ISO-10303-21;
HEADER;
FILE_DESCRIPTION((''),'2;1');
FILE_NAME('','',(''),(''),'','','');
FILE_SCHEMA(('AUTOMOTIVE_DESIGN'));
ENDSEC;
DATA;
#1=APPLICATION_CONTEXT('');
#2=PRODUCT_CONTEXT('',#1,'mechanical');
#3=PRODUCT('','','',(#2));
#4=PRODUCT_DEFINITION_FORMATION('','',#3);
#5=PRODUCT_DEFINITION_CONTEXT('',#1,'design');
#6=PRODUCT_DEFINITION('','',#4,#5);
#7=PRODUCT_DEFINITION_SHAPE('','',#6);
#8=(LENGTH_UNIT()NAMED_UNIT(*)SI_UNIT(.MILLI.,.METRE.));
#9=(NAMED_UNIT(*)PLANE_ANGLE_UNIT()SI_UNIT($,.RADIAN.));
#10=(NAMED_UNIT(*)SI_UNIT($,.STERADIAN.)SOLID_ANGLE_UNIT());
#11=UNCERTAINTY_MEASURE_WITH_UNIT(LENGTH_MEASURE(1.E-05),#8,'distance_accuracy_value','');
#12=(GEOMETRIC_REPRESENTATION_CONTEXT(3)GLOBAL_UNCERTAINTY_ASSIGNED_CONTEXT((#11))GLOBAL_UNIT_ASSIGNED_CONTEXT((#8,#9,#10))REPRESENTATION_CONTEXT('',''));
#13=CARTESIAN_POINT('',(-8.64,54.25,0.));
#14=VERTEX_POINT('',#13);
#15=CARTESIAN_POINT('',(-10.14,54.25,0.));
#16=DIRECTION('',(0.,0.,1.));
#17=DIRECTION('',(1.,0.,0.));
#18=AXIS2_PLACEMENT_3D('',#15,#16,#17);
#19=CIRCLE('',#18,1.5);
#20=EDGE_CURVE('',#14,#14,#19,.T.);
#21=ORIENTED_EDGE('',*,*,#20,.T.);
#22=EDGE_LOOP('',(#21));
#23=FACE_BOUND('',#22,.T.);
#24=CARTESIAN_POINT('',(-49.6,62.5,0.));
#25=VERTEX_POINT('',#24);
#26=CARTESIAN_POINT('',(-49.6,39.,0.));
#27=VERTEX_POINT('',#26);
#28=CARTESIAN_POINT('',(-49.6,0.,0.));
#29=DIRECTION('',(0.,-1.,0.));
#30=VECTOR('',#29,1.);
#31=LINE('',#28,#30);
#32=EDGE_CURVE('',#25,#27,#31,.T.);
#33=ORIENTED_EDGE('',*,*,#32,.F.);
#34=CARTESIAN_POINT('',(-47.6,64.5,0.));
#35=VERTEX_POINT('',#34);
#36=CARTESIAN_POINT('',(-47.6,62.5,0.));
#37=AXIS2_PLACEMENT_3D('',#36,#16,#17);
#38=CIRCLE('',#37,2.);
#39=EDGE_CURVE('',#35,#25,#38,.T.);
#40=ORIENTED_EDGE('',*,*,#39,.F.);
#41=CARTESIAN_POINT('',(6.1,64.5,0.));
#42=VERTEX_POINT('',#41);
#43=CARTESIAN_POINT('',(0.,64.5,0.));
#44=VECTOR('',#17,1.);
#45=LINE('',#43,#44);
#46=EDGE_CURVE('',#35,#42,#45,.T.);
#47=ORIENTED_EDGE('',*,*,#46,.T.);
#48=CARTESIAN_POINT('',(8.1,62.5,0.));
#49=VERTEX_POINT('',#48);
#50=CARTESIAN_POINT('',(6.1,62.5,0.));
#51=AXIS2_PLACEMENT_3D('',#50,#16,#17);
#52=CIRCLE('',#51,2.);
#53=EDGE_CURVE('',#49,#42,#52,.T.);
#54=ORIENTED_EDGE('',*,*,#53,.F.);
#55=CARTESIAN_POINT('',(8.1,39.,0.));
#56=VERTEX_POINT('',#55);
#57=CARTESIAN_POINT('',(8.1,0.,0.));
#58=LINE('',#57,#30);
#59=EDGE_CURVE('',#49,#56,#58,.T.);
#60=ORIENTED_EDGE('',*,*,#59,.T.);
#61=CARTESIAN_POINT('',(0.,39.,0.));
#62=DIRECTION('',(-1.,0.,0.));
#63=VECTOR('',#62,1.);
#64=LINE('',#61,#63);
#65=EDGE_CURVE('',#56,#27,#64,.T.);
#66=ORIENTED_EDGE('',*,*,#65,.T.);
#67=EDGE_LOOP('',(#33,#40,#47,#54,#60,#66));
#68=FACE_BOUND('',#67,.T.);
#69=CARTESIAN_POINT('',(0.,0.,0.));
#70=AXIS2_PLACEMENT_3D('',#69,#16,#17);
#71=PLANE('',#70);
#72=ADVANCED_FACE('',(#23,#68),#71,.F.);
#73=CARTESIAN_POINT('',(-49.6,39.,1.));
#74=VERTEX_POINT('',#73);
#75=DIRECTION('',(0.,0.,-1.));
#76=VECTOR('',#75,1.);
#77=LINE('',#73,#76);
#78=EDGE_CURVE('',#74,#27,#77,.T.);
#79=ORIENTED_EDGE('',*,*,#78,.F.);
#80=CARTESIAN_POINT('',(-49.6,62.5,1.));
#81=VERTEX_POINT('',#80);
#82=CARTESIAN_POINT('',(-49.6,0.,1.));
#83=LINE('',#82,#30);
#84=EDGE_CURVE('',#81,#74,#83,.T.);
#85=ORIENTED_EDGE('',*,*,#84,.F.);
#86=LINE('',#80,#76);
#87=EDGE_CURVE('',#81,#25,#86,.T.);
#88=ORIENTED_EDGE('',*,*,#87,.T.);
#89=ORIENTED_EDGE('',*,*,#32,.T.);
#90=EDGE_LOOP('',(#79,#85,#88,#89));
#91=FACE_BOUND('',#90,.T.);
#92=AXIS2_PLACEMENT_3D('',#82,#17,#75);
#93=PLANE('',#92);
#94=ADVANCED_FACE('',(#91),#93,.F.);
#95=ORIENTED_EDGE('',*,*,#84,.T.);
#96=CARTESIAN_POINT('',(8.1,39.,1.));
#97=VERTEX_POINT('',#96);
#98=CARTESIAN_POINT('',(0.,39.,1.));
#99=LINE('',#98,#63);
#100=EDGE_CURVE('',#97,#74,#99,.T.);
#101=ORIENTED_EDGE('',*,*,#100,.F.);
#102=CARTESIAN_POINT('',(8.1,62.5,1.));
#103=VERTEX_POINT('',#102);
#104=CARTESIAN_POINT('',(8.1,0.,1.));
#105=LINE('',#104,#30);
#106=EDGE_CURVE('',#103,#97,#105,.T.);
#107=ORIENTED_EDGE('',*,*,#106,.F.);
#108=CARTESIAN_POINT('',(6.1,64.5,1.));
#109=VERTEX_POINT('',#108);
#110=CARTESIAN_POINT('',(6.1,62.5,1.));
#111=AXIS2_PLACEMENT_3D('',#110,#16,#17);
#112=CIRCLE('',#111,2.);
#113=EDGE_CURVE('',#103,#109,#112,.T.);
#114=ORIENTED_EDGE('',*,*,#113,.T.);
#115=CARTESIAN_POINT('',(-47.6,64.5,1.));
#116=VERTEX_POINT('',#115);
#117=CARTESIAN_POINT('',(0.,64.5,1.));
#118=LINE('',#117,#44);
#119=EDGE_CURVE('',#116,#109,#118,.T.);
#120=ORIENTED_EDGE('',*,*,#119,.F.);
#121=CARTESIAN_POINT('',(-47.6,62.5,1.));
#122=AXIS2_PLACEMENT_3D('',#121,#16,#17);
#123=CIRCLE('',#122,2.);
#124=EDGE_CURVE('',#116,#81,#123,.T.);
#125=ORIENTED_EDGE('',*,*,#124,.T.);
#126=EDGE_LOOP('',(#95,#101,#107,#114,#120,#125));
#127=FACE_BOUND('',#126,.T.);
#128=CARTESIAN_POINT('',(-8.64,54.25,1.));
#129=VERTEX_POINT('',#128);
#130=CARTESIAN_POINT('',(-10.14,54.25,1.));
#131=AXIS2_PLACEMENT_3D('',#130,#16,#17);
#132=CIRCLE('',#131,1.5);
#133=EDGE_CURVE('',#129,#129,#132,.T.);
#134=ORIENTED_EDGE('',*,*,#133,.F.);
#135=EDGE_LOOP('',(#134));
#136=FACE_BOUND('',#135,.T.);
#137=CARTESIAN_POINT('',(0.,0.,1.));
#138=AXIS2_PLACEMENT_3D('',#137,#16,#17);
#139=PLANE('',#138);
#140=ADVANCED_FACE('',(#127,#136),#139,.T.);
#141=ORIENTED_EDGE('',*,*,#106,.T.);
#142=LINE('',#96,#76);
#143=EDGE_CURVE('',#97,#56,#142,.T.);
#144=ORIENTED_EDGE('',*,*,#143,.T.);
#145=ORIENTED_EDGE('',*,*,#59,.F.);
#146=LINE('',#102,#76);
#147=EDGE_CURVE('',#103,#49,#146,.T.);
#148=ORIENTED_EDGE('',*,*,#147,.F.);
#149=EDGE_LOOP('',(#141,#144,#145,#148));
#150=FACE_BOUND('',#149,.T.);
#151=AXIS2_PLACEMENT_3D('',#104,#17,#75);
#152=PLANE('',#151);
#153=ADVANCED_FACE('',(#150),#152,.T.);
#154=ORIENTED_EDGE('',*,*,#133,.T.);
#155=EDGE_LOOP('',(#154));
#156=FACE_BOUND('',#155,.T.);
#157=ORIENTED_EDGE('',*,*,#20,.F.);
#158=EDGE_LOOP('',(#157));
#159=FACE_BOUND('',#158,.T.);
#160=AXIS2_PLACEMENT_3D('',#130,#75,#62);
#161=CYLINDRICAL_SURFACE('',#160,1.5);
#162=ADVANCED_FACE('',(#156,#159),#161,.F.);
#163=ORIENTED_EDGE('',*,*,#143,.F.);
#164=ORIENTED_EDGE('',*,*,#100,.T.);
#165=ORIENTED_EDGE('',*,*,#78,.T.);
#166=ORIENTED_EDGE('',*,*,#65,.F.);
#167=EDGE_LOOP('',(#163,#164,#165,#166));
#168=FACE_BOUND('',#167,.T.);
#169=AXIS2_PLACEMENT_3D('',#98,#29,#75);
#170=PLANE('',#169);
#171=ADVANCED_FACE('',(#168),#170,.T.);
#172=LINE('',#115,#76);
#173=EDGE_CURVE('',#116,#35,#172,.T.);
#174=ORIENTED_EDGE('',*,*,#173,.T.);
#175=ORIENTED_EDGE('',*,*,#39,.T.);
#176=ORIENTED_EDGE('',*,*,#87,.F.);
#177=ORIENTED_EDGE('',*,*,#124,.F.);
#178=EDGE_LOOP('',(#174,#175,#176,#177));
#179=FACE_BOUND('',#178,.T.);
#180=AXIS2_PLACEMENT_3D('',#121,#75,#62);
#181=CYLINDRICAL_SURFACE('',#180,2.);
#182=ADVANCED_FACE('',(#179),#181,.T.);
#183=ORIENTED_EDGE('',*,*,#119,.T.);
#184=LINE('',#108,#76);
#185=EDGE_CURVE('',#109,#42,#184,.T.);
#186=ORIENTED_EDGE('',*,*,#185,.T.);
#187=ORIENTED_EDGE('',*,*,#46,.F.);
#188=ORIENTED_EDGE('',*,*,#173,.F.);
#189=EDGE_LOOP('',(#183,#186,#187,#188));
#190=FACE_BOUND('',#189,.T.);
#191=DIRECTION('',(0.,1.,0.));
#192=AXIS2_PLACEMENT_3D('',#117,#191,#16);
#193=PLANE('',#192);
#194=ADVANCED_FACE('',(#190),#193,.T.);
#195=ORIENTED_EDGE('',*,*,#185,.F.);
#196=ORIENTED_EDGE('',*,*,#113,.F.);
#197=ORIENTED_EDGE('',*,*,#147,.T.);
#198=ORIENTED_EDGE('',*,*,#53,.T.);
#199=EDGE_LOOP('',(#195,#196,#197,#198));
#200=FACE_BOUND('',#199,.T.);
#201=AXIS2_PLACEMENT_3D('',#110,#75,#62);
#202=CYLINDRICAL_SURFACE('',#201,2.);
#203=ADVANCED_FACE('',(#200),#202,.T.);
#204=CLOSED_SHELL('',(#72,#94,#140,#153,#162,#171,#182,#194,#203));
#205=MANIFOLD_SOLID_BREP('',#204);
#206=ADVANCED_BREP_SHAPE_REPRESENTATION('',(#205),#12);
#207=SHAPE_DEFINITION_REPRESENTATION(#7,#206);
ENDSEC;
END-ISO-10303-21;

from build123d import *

# Parameters (mm, degrees)
SKETCH1_R           = 1.5
BOSS_EXTRUDE1_DEPTH = 1


with BuildPart() as part:
    # Sketch1 → Boss-Extrude1 (new body)
    with BuildSketch(Plane.XY):
        with BuildLine():
            Line((8.1, 39), (-49.6, 39))
            Line((-49.6, 39), (-49.6, 62.5))
            ThreePointArc((-49.6, 62.5), (-49.014213562, 63.914213562), (-47.6, 64.5))
            Line((-47.6, 64.5), (6.1, 64.5))
            ThreePointArc((6.1, 64.5), (7.514213562, 63.914213562), (8.1, 62.5))
            Line((8.1, 62.5), (8.1, 39))
        make_face()
        with Locations((-10.14, 54.25)):
            Circle(SKETCH1_R, mode=Mode.SUBTRACT)
    extrude(amount=BOSS_EXTRUDE1_DEPTH)


solid = part.part
